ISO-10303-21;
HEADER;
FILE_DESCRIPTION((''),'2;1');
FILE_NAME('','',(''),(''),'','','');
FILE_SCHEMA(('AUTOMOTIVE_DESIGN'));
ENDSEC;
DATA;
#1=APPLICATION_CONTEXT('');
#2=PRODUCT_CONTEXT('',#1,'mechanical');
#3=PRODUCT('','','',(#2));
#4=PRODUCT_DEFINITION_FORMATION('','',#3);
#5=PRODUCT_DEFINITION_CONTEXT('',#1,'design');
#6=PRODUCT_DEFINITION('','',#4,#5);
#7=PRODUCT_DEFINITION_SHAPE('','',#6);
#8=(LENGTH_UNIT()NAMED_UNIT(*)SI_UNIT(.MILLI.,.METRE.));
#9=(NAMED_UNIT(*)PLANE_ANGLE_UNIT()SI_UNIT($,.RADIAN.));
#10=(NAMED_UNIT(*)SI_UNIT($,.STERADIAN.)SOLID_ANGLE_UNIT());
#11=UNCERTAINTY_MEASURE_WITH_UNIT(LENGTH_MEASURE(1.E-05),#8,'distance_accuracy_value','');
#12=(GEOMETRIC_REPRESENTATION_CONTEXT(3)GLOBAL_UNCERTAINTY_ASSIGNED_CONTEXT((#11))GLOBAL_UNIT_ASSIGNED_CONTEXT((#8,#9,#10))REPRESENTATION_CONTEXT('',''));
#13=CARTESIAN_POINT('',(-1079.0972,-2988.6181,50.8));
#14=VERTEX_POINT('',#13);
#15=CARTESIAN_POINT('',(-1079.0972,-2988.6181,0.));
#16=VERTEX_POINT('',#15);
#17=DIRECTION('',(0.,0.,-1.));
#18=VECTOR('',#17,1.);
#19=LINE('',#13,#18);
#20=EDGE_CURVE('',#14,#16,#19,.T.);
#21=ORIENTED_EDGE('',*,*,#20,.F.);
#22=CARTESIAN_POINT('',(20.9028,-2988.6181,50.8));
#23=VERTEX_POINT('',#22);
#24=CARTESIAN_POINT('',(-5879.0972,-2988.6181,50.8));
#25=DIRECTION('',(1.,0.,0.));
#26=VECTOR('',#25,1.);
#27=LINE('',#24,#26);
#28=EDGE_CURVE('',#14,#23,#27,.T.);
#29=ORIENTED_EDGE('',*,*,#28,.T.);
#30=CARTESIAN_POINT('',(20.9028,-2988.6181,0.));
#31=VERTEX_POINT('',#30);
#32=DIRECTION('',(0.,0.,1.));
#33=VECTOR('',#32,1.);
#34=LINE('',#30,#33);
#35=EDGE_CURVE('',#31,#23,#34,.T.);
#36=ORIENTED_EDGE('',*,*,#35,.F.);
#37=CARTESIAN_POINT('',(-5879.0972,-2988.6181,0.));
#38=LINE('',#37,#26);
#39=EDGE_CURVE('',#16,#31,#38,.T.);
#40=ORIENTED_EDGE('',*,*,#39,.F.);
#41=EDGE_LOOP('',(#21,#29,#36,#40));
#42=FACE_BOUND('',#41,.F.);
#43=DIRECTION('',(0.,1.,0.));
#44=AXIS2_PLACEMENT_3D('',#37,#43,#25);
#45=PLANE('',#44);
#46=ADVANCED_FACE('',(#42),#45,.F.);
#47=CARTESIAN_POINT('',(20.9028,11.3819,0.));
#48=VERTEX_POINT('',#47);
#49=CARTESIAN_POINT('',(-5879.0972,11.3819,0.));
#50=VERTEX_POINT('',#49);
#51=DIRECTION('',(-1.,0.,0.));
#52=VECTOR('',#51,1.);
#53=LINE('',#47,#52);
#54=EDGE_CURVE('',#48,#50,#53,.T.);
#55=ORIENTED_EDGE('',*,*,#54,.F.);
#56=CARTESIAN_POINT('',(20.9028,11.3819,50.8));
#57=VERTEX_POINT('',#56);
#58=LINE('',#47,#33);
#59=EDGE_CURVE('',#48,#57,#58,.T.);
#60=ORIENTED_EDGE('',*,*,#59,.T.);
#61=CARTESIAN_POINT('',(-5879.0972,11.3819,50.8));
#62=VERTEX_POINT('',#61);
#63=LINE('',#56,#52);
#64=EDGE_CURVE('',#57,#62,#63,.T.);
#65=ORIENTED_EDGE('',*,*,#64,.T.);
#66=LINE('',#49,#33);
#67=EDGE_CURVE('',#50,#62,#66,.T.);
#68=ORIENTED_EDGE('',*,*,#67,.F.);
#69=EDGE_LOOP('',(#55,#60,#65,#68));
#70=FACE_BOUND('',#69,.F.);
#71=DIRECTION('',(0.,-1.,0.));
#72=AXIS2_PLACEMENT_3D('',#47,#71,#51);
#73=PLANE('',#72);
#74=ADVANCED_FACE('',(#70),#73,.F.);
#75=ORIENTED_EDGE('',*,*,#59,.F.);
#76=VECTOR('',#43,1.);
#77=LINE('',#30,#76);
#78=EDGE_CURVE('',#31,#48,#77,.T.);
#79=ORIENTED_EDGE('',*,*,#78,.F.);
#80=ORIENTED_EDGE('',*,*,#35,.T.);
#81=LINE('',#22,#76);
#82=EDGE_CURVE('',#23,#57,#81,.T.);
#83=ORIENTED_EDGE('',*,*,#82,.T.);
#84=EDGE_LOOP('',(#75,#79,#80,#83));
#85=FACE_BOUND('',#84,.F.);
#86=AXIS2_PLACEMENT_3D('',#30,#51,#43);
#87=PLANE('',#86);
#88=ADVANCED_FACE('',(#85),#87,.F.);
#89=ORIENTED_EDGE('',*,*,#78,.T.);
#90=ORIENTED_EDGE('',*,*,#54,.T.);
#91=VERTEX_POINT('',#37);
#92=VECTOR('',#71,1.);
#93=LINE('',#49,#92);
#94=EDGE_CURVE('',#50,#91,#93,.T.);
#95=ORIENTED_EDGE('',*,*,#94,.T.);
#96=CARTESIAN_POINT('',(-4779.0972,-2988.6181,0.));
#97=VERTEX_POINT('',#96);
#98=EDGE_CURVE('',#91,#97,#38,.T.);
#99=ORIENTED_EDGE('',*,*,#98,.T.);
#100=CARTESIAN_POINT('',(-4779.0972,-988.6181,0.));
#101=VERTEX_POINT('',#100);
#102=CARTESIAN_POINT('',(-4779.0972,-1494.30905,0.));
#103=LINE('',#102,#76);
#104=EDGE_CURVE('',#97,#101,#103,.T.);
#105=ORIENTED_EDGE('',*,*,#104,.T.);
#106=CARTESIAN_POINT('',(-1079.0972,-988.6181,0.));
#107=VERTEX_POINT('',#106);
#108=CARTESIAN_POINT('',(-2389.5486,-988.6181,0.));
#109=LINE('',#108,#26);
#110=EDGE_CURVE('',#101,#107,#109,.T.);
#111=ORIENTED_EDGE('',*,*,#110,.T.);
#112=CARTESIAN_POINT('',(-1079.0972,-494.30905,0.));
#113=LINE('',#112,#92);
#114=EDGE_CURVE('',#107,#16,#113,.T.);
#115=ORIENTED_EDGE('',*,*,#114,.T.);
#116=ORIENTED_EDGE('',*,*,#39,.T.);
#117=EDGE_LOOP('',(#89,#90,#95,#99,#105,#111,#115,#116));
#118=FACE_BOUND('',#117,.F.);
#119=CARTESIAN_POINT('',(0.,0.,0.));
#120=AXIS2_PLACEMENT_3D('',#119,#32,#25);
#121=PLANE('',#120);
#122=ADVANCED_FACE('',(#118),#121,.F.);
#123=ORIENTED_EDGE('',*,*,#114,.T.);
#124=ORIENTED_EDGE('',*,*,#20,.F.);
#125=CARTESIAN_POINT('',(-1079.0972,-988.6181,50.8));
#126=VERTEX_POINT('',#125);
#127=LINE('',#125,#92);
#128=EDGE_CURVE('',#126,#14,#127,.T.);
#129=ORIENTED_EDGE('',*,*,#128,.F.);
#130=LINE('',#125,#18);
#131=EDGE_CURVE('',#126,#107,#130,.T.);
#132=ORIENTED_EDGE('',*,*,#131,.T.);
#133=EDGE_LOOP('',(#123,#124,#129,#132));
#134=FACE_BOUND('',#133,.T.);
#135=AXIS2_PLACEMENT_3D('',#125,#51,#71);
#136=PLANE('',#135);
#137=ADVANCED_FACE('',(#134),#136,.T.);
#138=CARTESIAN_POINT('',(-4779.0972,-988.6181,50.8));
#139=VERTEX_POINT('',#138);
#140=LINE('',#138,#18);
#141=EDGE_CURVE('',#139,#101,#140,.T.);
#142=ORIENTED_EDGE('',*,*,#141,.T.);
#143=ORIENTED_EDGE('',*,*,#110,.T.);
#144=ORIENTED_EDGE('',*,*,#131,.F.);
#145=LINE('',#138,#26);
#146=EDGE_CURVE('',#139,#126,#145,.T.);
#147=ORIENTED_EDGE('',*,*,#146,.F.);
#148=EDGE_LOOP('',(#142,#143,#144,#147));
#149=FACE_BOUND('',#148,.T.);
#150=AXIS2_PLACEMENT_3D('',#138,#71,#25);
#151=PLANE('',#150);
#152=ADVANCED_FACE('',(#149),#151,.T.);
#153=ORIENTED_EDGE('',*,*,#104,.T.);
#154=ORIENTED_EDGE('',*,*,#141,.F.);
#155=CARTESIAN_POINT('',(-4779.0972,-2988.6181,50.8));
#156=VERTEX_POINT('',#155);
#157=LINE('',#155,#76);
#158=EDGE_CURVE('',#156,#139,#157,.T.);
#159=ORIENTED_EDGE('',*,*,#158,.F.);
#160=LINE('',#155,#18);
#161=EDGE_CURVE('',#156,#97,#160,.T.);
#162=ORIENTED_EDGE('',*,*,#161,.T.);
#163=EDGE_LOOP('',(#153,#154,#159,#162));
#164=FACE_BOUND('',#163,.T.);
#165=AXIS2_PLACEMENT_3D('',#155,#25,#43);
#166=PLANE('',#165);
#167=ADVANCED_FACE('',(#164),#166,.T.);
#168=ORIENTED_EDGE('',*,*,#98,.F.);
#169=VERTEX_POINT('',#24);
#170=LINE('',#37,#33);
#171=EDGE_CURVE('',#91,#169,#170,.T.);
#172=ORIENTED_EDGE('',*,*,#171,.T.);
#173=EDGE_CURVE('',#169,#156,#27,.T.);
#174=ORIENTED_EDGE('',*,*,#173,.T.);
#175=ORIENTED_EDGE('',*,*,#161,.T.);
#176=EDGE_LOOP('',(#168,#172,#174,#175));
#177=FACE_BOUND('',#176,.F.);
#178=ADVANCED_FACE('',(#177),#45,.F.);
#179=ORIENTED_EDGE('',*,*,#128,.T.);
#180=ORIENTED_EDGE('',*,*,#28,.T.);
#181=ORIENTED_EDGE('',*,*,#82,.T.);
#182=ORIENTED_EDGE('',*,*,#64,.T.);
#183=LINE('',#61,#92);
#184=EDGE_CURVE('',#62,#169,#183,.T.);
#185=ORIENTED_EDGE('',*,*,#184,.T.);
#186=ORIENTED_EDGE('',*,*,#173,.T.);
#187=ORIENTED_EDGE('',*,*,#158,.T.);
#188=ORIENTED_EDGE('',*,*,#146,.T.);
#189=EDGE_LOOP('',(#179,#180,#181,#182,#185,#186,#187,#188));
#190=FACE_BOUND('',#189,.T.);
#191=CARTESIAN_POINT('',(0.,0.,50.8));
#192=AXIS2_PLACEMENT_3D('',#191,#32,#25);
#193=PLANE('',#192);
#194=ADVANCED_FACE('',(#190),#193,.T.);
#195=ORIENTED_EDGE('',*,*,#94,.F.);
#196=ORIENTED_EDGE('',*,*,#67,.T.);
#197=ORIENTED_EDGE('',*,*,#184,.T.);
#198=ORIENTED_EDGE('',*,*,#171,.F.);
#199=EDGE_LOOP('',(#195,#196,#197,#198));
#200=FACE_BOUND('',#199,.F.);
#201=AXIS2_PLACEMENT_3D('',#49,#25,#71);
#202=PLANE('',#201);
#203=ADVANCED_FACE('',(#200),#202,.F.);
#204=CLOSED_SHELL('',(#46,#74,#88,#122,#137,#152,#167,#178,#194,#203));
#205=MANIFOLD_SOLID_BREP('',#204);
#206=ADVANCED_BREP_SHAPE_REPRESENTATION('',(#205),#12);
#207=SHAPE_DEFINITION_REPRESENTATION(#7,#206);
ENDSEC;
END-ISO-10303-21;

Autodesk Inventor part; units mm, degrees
ref_plane "YZ Plane" through (0, 0, 0) normal (1, 0, 0) x (0, 1, 0)
ref_plane "XZ Plane" through (0, 0, 0) normal (0, 1, 0) x (-1, 0, 0)
ref_plane "XY Plane" through (0, 0, 0) normal (0, 0, 1) x (1, 0, 0)
sketch "Sketch1" plane through (0, 0, 0) normal (0, 0, 1) x (1, 0, 0)
  line L0 (-5879.0972, -2988.6181) -> (20.9028, -2988.6181)
  line L1 (20.9028, -2988.6181) -> (20.9028, 11.3819)
  line L2 (20.9028, 11.3819) -> (-5879.0972, 11.3819)
  line L3 (-5879.0972, 11.3819) -> (-5879.0972, -2988.6181)
  point P0 (0, 0)
  dimension "Ancho" = 5900
  dimension "Alto" = 3000
extrude "Extrusion1" add sketch "Sketch1" along normal blind 50.8
sketch "Sketch2" plane through (0, 0, 50.8) normal (0, 0, 1) x (1, 0, 0)
  line L0 (-5879.0972, -2988.6181) -> (20.9028, -2988.6181) projected
  line L1 (-4779.0972, -988.6181) -> (-1079.0972, -988.6181)
  line L2 (-1079.0972, -988.6181) -> (-1079.0972, -2988.6181)
  line L3 (-1079.0972, -2988.6181) -> (-4779.0972, -2988.6181)
  line L4 (-4779.0972, -2988.6181) -> (-4779.0972, -988.6181)
  line L5 (-4779.0972, -988.6181) -> (-1079.0972, -2988.6181) construction
  line L6 (-1079.0972, -988.6181) -> (-4779.0972, -2988.6181) construction
  line L7 (-5879.0972, 11.3819) -> (-5879.0972, -2988.6181) projected
  point P0 (0, 0)
  point P1 (-2929.0972, -1988.6181)
  dimension "Distanciapuerta" = 3700
  dimension "Alturapuerta" = 2000
  dimension "d10" = 1100
extrude "Extrusion2" cut sketch "Sketch2" against normal through all
equation "\"Ancho\" = PL_S"
equation "\"Alto\" = PA_S"
equation "\"Espesor\" = PE_S"
equation "\"Distanciapuerta\" = DP_S"
equation "\"Alturapuerta\" = AP_S"
equation "\"d10\" = -0.5 * DP_S + 0.5 * PL_S"
equation "\"PL_S\" = 5900"
equation "\"PA_S\" = 3000"
equation "\"PE_S\" = 50.8"
equation "\"DP_S\" = 3700"
equation "\"AP_S\" = 2000"
equation "\"PE_N\" = 50.8"
equation "\"PE_EO\" = 50.8"
equation "\"T_E\" = 50.8"
equation "\"lon_ve\" = 512.5"
equation "\"n_a\" = 3"
equation "\"t_a\" = 19.05"
equation "\"d_a\" = 128.125"
equation "\"lon_ho\" = 749"
equation "\"d_bor\" = 59.92"
equation "\"lon_gui\" = 187.25"
equation "\"esp_gui\" = 461.25"
equation "\"lon_ve2\" = 498.475"
equation "\"n_a2\" = 3"
equation "\"t_a2\" = 124.61875"
equation "\"d_a2\" = 124.61875"
equation "\"lon_ho2\" = 933.45"
equation "\"d_bor2\" = 74.676"
equation "\"lon_gui2\" = 233.3625"
equation "\"esp_gui2\" = 448.6275"
equation "\"UE_L\" = 2111"
equation "\"UE_A\" = 1025"
equation "\"UE_AN\" = 749"
equation "\"UC_L\" = 1314.45"
equation "\"UC_A\" = 996.95"
equation "\"UC_AN\" = 933.45"
equation "\"A_ET\" = 35"
equation "\"SEP_NS\" = 0"
equation "\"DSEG\" = 0"
equation "\"AEGEP_NS\" = 0"
equation "\"DNS\" = 749"
properties part number "Pared sur"
